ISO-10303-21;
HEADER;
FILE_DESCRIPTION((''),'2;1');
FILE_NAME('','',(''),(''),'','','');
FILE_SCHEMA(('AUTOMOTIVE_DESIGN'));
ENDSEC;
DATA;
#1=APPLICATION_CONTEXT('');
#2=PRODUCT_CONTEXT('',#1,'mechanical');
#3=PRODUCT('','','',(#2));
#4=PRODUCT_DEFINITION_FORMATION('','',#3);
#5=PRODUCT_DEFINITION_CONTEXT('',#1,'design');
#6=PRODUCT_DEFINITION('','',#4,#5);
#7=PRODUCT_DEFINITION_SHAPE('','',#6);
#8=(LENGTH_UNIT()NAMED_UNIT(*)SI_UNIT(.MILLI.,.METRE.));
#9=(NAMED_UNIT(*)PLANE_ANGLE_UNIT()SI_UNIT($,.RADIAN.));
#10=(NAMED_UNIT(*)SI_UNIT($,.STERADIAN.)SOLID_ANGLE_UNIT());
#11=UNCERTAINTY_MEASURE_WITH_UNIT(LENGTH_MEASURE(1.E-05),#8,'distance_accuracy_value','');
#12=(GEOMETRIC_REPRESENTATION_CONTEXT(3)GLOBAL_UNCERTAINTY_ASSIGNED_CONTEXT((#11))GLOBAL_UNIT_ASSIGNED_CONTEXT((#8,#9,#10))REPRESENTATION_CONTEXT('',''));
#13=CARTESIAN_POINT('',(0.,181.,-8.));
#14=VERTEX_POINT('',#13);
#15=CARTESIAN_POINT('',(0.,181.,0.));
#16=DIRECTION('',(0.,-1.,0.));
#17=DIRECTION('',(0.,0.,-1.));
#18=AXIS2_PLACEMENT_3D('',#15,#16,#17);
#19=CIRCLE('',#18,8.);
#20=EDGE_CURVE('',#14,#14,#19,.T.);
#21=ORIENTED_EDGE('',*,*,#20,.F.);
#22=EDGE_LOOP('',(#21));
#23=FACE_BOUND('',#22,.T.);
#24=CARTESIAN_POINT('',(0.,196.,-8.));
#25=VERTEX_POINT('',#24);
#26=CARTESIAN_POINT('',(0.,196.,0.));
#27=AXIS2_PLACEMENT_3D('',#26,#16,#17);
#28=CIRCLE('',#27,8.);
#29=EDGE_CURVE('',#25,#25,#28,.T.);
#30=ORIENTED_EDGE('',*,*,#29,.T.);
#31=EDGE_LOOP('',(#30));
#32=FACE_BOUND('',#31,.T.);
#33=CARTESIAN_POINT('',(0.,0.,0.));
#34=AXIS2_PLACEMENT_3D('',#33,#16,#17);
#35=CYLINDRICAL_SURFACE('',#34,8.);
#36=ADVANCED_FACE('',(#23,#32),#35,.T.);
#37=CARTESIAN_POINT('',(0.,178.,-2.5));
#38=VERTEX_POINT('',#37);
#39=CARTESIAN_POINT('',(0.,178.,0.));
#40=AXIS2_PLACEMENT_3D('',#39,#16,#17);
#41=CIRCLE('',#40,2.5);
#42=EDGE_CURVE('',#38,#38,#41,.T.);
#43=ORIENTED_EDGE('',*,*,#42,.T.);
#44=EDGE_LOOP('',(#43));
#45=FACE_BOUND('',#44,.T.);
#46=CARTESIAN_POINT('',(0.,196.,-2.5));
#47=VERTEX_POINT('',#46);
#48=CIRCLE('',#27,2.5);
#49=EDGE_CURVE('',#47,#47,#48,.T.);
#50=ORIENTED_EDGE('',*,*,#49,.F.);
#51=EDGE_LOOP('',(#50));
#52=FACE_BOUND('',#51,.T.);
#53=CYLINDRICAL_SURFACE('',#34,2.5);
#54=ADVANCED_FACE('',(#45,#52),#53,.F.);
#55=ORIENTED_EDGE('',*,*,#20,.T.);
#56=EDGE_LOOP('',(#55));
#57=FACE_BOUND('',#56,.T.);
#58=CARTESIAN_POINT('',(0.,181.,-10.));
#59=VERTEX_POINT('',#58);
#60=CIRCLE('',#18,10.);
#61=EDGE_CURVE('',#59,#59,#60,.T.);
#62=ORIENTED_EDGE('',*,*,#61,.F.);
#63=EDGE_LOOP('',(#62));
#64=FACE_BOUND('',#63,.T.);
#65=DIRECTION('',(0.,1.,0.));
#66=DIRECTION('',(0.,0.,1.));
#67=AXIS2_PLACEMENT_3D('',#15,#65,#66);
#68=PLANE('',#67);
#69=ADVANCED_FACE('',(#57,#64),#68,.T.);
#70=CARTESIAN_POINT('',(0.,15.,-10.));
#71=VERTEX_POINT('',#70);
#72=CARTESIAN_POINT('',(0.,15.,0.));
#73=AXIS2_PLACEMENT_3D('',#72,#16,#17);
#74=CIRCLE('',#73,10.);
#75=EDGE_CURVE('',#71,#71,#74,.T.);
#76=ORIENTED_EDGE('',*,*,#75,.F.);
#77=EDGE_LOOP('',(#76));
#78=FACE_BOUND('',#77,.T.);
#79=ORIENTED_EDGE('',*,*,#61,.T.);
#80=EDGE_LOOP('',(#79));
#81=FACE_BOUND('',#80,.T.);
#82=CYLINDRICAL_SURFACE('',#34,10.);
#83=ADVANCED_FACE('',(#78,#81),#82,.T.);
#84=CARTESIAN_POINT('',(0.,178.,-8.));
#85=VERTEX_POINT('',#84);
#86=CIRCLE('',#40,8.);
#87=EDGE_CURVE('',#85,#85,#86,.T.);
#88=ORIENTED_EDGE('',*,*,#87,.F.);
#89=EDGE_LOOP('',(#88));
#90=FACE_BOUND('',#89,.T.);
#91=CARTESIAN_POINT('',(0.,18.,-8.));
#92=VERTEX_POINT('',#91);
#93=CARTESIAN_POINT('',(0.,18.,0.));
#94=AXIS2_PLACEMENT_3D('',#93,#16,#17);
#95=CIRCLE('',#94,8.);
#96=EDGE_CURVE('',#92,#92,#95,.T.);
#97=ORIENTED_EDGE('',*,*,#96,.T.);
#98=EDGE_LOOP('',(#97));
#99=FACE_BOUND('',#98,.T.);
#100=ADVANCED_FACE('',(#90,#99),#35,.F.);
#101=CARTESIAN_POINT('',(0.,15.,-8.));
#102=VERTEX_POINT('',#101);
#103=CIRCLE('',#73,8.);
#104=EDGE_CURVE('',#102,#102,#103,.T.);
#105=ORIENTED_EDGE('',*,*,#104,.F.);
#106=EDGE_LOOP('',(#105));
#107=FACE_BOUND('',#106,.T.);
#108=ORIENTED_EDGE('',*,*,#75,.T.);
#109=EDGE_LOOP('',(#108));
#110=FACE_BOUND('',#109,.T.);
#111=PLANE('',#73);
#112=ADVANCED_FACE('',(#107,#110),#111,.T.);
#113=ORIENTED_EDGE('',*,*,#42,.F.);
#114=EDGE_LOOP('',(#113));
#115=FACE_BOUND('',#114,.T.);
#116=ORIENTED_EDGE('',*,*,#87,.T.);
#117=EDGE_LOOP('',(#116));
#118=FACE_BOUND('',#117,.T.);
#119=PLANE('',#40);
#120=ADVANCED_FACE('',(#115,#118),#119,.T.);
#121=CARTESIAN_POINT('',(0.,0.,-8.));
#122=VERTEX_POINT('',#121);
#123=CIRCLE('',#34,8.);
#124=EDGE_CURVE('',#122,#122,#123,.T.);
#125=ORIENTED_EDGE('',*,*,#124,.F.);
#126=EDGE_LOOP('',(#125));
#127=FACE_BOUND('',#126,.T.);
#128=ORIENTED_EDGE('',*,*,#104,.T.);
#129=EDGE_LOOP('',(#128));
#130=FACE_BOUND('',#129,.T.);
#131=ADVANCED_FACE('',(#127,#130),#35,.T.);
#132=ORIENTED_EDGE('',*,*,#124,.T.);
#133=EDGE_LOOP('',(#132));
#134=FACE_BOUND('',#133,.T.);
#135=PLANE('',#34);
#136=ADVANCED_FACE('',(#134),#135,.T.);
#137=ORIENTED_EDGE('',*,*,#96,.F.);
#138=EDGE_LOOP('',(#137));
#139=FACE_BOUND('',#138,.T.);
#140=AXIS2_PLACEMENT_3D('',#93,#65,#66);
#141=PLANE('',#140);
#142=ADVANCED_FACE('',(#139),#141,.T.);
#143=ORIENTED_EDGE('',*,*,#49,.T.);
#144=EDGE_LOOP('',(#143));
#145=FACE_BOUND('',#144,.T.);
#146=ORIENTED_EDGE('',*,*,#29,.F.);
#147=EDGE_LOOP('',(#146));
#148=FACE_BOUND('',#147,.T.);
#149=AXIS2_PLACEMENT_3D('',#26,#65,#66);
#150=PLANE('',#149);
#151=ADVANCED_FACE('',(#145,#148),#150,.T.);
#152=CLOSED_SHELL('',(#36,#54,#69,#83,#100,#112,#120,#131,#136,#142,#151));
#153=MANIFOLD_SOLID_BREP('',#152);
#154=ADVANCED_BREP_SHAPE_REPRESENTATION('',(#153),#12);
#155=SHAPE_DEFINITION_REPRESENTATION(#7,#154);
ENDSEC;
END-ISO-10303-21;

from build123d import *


with BuildPart() as part:
    # Szkic1 → Obrót1 (revolve)
    with BuildSketch(Plane.XY):
        Polygon((0, 18), (0, 0), (8, 0), (8, 15), (10, 15), (10, 181), (8, 181), (8, 196), (2.5, 196), (2.5, 178), (8, 178), (8, 18), align=None)
    revolve(axis=Axis((0, 0, 0), (0, 1, 0)))


solid = part.part
